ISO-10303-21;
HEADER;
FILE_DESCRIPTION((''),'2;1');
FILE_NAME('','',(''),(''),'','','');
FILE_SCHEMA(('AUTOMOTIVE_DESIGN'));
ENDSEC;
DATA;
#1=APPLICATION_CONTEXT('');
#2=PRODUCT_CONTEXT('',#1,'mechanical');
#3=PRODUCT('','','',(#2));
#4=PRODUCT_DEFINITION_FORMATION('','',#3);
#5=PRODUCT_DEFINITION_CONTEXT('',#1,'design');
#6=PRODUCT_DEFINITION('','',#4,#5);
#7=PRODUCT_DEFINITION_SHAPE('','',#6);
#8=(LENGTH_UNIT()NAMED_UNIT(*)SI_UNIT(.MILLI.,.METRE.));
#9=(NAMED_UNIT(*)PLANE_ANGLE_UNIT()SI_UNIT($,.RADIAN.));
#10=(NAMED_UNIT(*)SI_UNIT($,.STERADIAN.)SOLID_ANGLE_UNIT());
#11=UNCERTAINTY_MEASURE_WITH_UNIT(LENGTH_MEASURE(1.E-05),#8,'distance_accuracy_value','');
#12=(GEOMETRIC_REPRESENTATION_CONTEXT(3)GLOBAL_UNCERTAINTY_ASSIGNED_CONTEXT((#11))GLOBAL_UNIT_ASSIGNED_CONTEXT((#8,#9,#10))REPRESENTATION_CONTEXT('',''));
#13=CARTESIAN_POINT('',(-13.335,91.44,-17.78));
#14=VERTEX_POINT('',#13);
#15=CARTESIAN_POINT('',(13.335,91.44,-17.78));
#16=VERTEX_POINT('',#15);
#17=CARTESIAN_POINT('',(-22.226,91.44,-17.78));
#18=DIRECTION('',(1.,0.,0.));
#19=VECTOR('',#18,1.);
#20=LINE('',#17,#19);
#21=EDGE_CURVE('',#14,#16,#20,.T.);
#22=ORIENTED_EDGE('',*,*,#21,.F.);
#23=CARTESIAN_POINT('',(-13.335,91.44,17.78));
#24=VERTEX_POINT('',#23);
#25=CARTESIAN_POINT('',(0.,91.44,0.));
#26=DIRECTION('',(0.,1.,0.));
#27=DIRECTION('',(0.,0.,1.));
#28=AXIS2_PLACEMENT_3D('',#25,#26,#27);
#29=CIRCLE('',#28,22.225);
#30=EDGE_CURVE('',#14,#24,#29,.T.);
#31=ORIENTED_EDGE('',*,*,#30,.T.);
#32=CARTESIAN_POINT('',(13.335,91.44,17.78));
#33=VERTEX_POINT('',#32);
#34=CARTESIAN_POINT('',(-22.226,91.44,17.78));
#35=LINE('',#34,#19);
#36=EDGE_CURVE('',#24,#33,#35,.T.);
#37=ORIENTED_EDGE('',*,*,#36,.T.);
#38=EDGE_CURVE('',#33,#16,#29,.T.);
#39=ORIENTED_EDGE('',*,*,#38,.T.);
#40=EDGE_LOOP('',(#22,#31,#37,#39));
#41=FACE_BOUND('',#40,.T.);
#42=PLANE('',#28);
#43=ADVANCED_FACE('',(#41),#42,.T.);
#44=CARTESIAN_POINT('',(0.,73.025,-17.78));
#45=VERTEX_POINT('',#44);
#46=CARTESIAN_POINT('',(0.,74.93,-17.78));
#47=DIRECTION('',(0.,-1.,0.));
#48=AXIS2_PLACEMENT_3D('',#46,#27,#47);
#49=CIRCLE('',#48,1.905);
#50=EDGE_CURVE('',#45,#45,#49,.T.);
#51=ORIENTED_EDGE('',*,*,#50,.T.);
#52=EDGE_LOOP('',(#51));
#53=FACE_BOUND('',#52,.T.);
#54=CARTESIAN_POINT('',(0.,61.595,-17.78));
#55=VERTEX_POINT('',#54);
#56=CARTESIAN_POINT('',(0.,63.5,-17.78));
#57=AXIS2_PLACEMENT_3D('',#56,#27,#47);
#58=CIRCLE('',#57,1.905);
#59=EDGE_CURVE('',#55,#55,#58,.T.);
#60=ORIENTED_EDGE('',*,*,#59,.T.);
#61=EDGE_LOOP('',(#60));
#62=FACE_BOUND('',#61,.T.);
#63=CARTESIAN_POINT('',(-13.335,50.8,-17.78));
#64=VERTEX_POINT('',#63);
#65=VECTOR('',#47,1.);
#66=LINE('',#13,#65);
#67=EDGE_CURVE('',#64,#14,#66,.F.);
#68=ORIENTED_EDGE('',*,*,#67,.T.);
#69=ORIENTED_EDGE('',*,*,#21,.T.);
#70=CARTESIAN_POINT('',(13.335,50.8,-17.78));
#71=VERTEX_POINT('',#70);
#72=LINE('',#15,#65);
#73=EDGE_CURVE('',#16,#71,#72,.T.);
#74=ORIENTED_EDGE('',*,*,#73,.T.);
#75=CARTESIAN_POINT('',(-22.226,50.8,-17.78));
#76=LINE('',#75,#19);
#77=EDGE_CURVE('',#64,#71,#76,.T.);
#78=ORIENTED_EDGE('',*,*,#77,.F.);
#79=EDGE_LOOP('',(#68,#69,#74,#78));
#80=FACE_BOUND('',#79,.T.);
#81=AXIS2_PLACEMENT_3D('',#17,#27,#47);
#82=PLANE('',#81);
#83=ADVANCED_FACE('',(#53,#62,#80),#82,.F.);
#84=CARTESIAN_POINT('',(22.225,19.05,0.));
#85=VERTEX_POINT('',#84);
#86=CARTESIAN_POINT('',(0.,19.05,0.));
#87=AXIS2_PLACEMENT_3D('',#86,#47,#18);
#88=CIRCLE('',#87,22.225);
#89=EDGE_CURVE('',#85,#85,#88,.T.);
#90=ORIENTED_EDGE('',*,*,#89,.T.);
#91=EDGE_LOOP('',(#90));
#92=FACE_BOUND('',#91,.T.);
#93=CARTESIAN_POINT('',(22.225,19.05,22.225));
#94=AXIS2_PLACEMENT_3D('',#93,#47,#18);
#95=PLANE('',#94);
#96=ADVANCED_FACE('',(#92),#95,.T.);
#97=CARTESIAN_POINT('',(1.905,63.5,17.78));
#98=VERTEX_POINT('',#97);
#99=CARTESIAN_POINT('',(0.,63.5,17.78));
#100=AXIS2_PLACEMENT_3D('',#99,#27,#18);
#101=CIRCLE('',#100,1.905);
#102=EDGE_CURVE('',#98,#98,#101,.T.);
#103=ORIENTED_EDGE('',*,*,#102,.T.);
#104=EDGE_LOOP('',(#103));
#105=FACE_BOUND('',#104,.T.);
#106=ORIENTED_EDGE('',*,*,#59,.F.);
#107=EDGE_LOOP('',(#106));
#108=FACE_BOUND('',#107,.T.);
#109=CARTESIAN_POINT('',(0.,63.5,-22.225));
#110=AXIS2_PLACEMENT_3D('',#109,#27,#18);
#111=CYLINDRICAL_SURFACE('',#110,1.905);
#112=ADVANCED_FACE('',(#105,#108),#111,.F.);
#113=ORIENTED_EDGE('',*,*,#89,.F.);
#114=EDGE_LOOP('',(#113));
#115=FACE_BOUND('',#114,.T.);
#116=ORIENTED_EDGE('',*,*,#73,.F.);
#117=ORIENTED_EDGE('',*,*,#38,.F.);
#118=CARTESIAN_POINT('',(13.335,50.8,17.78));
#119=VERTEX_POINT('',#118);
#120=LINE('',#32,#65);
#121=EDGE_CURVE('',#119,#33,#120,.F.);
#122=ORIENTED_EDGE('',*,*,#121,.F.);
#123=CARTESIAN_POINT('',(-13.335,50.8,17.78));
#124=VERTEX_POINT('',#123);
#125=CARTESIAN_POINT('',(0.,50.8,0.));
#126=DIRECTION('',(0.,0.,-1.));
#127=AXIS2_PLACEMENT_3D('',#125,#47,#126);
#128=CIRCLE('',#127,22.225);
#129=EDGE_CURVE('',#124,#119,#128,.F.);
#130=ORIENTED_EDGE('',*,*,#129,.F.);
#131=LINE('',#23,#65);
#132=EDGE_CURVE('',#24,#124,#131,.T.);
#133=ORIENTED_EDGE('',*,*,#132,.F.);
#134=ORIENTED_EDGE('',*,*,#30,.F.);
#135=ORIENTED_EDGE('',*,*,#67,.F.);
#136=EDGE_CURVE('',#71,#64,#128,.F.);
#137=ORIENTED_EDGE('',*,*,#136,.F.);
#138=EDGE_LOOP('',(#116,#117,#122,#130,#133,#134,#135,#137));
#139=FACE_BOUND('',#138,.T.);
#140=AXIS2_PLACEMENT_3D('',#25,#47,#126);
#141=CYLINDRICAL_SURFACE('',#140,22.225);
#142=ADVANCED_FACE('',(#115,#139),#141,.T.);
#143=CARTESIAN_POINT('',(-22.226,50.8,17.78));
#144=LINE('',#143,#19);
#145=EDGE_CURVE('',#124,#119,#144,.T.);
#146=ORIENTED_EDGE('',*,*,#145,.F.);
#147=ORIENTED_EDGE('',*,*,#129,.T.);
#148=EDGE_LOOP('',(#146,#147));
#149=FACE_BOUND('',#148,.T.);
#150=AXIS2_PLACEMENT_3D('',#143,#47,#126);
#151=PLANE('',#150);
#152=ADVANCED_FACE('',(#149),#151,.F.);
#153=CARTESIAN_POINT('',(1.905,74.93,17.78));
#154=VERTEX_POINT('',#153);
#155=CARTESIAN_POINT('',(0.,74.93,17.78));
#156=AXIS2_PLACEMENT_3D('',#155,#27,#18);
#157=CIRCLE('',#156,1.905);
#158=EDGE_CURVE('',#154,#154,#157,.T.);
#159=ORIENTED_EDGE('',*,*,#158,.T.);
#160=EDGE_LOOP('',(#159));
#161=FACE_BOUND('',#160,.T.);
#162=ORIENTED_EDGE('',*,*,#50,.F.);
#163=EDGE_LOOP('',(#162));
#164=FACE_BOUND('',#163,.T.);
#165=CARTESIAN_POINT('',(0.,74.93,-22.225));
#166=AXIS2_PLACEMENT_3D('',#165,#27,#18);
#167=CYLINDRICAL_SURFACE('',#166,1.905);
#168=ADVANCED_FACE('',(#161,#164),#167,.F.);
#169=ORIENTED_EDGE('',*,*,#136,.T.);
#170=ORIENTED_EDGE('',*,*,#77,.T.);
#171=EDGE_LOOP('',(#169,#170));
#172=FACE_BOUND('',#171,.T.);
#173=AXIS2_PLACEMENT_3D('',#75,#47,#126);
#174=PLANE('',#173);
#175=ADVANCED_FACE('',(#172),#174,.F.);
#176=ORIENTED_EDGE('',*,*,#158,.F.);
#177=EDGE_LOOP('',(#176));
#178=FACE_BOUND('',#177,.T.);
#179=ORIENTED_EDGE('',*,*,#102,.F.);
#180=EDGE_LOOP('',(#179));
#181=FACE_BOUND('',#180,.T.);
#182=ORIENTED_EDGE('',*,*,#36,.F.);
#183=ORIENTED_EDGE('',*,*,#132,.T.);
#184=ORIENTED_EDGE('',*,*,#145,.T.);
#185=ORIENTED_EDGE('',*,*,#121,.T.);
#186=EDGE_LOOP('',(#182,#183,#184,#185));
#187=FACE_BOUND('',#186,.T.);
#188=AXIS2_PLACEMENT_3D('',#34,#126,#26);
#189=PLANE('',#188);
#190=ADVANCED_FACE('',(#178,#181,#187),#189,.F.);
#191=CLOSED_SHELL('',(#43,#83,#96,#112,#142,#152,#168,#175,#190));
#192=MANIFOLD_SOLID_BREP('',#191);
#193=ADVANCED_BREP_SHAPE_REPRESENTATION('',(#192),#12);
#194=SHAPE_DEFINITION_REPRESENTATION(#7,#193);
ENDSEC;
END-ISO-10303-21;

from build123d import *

# Parameters (mm, degrees)
SKETCH1_R           = 22.225
BOSS_EXTRUDE1_DEPTH = 91.44
CUT_EXTRUDE1_REACH  = 106.072
SKETCH2_W           = 4.445
SKETCH2_H           = 40.64
SKETCH4_R           = 1.905
CUT_EXTRUDE2_DEPTH  = 103.252746907
SKETCH6_W           = 44.45
SKETCH6_H           = 19.05
CUT_EXTRUDE3_DEPTH  = 685.739656498


with BuildPart() as part:
    # Sketch1 → Boss-Extrude1 (new body)
    with BuildSketch(Plane(origin=(0, 0, 0), x_dir=(1, 0, 0), z_dir=(0, 1, 0))):
        with Locations(Location((0, 0, 0), (0, 0, 270))):
            Circle(SKETCH1_R)
    extrude(amount=BOSS_EXTRUDE1_DEPTH)

    # Sketch2 → Cut-Extrude1 (cut, up to next)
    with BuildSketch(Plane(origin=(22.225, 0, 0), x_dir=(0, 0, -1), z_dir=(1, 0, 0)), mode=Mode.PRIVATE) as cut_extrude1_sk1:
        with Locations((-20.0025, 71.12)):
            Rectangle(SKETCH2_W, SKETCH2_H)
    cut_extrude1_tool1 = extrude(cut_extrude1_sk1.sketch, amount=-CUT_EXTRUDE1_REACH, mode=Mode.PRIVATE) & part.part
    # Sketch2 → Cut-Extrude1 (cut, up to next)
    with BuildSketch(Plane(origin=(22.225, 0, 0), x_dir=(0, 0, -1), z_dir=(1, 0, 0)), mode=Mode.PRIVATE) as cut_extrude1_sk2:
        with Locations((20.0025, 71.12)):
            Rectangle(SKETCH2_W, SKETCH2_H)
    cut_extrude1_tool2 = extrude(cut_extrude1_sk2.sketch, amount=-CUT_EXTRUDE1_REACH, mode=Mode.PRIVATE) & part.part
    add(cut_extrude1_tool1.solids().sort_by_distance((22.225, 71.12, 20.0025))[0], mode=Mode.SUBTRACT)
    add(cut_extrude1_tool2.solids().sort_by_distance((22.225, 71.12, -20.0025))[0], mode=Mode.SUBTRACT)

    # Sketch4 → Cut-Extrude2 (cut, through all)
    with BuildSketch(Plane.XY.offset(17.78)):
        with Locations((0, 74.93)):
            Circle(SKETCH4_R)
        with Locations((0, 63.5)):
            Circle(SKETCH4_R)
    extrude(amount=-CUT_EXTRUDE2_DEPTH, mode=Mode.SUBTRACT)

    # Sketch6 → Cut-Extrude3 (cut, through all)
    with BuildSketch(Plane(origin=(-69.793368373, -6.35, 649.219810065), x_dir=(0, 0, -1), z_dir=(1, 0, 0))):
        with Locations((649.219810065, 15.875)):
            Rectangle(SKETCH6_W, SKETCH6_H)
    extrude(amount=CUT_EXTRUDE3_DEPTH, mode=Mode.SUBTRACT)


solid = part.part
